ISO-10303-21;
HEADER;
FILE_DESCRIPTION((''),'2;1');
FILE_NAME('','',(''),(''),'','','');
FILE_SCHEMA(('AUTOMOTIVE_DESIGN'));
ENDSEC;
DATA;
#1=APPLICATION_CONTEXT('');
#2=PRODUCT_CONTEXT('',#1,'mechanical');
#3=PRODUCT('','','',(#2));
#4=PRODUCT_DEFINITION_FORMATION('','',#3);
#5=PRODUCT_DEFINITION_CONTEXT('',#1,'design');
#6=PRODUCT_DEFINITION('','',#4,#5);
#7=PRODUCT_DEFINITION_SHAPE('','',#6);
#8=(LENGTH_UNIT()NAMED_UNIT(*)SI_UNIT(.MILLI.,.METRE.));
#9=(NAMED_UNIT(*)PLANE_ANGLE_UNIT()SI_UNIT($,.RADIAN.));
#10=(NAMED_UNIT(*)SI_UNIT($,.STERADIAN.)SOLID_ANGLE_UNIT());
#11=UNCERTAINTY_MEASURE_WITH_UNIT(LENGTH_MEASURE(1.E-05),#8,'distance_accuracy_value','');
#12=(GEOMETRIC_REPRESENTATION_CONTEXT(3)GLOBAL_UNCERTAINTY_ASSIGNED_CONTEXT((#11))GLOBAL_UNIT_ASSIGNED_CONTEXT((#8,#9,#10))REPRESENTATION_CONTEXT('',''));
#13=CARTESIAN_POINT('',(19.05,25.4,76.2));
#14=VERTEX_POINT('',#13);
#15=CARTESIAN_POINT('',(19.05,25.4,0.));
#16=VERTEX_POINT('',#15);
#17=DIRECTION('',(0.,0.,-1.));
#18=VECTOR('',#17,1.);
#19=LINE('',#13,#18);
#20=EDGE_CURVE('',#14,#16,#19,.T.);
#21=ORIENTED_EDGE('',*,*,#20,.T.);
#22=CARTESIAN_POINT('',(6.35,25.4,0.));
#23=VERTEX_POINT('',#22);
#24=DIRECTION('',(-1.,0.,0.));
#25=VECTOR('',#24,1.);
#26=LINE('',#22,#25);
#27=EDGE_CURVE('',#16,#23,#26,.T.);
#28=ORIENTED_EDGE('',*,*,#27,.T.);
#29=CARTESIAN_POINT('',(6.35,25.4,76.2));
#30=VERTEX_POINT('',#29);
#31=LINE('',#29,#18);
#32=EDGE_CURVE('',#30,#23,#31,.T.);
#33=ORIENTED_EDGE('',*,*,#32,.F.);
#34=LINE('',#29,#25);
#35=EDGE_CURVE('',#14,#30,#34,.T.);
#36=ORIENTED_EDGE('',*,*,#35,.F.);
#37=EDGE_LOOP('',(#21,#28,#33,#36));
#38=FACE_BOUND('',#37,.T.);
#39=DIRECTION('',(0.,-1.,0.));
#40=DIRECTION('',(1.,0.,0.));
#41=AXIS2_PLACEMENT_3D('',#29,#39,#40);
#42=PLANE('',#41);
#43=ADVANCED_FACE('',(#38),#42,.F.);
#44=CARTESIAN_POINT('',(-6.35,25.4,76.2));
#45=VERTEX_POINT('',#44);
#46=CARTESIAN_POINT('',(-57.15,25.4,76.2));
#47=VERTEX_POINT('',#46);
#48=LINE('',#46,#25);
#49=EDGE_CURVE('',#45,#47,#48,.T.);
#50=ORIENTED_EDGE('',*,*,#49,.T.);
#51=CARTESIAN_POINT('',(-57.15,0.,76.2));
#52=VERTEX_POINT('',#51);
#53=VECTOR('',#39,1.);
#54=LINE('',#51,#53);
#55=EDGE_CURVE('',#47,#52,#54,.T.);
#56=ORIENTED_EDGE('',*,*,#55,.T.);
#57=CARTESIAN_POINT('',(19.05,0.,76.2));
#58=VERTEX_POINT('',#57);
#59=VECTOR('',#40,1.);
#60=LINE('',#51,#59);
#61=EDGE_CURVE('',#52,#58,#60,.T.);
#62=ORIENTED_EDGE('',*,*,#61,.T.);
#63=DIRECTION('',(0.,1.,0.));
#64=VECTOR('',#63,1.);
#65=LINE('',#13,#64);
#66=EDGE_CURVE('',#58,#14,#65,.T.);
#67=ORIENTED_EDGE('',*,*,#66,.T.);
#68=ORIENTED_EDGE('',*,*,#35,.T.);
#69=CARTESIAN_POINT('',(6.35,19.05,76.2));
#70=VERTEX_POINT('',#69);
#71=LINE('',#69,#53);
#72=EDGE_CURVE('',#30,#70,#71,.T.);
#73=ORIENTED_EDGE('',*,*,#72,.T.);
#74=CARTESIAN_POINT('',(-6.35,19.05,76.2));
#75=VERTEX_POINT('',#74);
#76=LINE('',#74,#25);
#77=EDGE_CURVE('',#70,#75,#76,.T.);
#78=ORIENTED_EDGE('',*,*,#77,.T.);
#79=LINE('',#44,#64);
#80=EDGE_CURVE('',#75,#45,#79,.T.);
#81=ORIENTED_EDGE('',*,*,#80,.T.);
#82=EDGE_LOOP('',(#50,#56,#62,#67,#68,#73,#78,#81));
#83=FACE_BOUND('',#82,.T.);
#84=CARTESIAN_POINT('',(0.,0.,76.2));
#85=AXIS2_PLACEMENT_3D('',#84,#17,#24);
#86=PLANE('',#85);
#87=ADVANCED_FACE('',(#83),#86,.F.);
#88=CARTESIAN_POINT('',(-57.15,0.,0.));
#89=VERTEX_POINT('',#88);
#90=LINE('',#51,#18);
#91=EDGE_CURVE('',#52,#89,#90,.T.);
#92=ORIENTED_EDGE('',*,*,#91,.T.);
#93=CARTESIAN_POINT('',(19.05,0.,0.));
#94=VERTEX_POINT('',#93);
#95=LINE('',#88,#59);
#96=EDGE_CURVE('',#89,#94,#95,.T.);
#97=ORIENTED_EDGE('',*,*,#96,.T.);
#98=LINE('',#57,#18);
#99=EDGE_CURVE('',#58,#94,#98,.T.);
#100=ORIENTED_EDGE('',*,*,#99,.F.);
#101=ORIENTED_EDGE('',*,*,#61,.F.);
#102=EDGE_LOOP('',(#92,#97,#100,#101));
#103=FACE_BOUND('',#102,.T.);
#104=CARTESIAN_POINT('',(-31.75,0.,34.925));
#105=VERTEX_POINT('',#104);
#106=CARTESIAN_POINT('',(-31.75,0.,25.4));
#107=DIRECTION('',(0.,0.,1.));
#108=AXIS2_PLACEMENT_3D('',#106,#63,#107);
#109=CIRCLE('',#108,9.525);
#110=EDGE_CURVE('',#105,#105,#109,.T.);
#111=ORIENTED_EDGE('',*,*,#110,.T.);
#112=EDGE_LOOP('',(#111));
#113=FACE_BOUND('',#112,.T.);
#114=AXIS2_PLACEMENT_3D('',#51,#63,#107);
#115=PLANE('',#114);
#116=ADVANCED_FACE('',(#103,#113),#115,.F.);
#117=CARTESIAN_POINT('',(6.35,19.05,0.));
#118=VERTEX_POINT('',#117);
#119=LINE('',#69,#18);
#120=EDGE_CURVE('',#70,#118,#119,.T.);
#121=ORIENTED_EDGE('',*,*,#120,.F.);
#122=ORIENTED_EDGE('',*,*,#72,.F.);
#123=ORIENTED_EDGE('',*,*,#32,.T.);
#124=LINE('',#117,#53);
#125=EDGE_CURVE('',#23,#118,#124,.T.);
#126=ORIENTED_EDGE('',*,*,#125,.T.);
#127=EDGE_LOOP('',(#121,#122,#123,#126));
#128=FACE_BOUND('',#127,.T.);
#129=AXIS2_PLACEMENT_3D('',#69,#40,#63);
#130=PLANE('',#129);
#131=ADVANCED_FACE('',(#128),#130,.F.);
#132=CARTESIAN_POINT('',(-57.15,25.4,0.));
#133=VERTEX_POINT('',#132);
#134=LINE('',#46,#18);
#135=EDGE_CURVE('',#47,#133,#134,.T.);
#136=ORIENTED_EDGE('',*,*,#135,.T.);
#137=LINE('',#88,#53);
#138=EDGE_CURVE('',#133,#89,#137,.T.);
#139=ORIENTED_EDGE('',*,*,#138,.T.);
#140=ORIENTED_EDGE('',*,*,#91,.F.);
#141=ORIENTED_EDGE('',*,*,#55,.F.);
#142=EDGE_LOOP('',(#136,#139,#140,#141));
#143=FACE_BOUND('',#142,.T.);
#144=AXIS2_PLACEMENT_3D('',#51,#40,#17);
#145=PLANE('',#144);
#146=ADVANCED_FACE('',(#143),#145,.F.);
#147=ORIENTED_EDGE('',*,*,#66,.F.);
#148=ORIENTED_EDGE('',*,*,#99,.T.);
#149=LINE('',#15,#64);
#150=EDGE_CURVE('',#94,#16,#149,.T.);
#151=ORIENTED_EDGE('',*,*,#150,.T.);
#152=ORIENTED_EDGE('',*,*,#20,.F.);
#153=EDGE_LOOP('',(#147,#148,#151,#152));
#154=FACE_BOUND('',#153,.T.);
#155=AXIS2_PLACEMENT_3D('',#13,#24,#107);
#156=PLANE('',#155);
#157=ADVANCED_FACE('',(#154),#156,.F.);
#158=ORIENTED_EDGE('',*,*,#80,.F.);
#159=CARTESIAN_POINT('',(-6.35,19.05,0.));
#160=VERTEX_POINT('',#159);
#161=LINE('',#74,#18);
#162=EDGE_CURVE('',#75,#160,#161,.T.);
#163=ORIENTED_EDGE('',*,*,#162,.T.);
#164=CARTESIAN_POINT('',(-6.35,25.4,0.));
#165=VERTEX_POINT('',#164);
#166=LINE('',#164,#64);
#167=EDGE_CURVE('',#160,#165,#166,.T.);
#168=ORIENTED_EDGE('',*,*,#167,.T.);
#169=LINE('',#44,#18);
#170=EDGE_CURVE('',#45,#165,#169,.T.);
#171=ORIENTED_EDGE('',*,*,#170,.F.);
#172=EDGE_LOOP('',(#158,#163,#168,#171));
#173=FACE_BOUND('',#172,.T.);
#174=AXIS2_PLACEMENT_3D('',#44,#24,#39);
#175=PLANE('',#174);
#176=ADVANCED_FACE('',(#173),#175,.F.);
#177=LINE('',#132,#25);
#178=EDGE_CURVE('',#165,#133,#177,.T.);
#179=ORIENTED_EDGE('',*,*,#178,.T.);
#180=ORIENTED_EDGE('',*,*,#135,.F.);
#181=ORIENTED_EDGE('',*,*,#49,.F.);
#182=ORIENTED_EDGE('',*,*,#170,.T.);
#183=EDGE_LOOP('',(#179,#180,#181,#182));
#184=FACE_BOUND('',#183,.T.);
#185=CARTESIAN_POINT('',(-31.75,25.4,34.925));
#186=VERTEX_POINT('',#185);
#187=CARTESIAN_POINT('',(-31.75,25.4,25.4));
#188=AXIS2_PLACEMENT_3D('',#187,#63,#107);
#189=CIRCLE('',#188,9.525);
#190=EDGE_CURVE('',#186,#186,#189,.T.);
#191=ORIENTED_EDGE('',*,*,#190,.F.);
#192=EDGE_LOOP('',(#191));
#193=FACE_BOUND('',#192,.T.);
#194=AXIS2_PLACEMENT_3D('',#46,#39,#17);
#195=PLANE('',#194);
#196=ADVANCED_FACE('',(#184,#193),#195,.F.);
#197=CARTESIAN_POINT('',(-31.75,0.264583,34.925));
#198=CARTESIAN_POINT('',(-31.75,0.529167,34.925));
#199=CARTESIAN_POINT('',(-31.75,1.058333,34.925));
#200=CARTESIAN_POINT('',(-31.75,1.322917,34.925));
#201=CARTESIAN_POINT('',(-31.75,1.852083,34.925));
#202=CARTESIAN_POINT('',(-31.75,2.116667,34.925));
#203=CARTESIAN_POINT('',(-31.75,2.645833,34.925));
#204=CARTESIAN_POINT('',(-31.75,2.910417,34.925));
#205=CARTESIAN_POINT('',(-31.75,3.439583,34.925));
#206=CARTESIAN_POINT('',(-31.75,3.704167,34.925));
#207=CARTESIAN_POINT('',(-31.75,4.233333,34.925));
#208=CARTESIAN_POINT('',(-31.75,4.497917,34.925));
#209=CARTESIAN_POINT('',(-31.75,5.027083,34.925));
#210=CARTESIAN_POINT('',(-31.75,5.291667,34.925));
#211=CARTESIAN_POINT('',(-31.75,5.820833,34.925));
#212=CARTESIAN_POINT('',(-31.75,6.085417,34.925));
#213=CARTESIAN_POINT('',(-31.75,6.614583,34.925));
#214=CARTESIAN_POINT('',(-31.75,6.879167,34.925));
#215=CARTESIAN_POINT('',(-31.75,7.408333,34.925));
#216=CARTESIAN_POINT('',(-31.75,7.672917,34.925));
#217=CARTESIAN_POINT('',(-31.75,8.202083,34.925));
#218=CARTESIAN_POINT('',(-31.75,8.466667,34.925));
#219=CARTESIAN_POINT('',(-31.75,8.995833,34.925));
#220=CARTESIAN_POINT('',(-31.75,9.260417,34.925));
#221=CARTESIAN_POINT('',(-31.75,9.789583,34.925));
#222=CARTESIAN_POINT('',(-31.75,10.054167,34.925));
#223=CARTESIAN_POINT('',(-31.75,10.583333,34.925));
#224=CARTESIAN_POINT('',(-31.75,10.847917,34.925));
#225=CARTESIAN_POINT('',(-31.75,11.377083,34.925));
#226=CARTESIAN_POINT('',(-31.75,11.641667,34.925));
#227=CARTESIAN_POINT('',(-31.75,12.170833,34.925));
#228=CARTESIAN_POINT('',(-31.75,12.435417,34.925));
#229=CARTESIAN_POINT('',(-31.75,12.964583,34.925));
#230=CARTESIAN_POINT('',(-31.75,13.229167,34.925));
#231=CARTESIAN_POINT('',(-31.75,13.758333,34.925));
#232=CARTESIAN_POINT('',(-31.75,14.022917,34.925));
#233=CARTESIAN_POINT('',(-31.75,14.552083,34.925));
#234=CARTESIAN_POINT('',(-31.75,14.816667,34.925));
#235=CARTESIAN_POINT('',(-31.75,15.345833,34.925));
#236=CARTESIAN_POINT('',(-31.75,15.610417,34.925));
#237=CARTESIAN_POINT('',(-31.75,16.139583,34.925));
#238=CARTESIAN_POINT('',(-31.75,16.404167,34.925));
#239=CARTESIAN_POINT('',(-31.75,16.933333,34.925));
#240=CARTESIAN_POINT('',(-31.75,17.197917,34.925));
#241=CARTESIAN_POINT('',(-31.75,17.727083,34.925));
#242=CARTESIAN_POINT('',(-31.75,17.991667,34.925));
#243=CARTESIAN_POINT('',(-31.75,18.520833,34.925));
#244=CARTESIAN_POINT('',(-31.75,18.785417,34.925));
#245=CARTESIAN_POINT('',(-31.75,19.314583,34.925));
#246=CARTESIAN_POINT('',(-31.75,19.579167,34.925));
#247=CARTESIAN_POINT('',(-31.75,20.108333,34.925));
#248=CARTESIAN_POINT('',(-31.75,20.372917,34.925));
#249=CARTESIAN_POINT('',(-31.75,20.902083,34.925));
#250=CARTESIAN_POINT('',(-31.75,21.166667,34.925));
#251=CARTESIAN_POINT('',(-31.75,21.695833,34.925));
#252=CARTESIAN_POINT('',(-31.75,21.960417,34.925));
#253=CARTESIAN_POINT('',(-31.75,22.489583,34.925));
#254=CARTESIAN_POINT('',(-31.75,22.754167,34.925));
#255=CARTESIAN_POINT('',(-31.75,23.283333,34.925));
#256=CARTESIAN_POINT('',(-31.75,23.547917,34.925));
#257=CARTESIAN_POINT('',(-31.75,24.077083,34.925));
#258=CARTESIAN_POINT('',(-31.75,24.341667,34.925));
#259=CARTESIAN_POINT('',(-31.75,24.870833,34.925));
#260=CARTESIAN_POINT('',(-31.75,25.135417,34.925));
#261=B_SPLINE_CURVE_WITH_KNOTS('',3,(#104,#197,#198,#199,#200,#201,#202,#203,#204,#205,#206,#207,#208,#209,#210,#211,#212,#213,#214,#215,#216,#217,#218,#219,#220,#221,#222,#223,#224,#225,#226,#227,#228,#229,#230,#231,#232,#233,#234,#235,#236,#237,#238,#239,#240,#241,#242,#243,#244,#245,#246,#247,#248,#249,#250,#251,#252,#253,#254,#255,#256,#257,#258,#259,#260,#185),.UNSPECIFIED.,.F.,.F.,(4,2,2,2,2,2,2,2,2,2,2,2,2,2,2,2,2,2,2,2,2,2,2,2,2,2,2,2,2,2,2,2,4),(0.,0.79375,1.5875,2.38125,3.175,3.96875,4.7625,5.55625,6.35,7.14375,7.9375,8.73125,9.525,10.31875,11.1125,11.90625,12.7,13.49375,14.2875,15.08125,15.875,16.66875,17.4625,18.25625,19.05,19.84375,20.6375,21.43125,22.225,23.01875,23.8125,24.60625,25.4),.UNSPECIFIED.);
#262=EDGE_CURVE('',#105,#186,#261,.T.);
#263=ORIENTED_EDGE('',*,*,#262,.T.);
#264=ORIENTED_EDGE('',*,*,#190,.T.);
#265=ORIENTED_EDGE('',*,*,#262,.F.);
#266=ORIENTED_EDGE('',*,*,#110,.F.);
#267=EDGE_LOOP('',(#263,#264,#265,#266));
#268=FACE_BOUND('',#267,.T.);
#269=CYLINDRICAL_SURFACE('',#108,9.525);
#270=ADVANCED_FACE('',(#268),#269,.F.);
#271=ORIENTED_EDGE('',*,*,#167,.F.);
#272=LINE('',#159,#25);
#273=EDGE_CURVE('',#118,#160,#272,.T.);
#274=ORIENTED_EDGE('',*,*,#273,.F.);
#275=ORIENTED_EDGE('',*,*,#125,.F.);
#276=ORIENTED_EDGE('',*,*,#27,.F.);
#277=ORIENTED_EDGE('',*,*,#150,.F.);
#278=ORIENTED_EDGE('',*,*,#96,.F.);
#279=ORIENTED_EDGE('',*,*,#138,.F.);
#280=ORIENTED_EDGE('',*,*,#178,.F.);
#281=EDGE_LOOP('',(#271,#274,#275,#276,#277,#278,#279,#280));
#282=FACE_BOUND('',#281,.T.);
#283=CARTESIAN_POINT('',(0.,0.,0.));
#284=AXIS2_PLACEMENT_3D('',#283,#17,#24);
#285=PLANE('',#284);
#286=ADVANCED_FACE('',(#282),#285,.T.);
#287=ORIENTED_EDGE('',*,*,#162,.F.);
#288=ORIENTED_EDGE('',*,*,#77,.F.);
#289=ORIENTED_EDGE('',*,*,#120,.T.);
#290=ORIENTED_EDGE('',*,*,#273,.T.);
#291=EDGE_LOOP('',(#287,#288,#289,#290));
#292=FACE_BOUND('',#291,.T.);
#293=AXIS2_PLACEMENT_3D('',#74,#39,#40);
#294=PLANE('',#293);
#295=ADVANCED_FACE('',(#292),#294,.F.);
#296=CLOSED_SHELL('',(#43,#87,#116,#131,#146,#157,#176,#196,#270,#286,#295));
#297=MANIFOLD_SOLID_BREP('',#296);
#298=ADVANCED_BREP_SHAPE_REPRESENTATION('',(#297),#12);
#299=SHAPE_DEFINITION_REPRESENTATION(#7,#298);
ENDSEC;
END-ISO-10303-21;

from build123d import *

# Parameters (mm, degrees)
BOSS_EXTRUDE1_DEPTH = 76.2
SKETCH2_R           = 9.525
CUT_EXTRUDE1_DEPTH  = 99.578509321


with BuildPart() as part:
    # Sketch1 → Boss-Extrude1 (new body)
    with BuildSketch(Plane.XY):
        Polygon((-57.15, 0), (19.05, 0), (19.05, 25.4), (6.35, 25.4), (6.35, 19.05), (-6.35, 19.05), (-6.35, 25.4), (-57.15, 25.4), align=None)
    extrude(amount=BOSS_EXTRUDE1_DEPTH)

    # Sketch2 → Cut-Extrude1 (cut, through all)
    with BuildSketch(Plane(origin=(0, 25.4, 0), x_dir=(1, 0, 0), z_dir=(0, 1, 0))):
        with Locations(Location((-31.75, -25.4, 0), (0, 0, 270))):
            Circle(SKETCH2_R)
    extrude(amount=-CUT_EXTRUDE1_DEPTH, mode=Mode.SUBTRACT)


solid = part.part
